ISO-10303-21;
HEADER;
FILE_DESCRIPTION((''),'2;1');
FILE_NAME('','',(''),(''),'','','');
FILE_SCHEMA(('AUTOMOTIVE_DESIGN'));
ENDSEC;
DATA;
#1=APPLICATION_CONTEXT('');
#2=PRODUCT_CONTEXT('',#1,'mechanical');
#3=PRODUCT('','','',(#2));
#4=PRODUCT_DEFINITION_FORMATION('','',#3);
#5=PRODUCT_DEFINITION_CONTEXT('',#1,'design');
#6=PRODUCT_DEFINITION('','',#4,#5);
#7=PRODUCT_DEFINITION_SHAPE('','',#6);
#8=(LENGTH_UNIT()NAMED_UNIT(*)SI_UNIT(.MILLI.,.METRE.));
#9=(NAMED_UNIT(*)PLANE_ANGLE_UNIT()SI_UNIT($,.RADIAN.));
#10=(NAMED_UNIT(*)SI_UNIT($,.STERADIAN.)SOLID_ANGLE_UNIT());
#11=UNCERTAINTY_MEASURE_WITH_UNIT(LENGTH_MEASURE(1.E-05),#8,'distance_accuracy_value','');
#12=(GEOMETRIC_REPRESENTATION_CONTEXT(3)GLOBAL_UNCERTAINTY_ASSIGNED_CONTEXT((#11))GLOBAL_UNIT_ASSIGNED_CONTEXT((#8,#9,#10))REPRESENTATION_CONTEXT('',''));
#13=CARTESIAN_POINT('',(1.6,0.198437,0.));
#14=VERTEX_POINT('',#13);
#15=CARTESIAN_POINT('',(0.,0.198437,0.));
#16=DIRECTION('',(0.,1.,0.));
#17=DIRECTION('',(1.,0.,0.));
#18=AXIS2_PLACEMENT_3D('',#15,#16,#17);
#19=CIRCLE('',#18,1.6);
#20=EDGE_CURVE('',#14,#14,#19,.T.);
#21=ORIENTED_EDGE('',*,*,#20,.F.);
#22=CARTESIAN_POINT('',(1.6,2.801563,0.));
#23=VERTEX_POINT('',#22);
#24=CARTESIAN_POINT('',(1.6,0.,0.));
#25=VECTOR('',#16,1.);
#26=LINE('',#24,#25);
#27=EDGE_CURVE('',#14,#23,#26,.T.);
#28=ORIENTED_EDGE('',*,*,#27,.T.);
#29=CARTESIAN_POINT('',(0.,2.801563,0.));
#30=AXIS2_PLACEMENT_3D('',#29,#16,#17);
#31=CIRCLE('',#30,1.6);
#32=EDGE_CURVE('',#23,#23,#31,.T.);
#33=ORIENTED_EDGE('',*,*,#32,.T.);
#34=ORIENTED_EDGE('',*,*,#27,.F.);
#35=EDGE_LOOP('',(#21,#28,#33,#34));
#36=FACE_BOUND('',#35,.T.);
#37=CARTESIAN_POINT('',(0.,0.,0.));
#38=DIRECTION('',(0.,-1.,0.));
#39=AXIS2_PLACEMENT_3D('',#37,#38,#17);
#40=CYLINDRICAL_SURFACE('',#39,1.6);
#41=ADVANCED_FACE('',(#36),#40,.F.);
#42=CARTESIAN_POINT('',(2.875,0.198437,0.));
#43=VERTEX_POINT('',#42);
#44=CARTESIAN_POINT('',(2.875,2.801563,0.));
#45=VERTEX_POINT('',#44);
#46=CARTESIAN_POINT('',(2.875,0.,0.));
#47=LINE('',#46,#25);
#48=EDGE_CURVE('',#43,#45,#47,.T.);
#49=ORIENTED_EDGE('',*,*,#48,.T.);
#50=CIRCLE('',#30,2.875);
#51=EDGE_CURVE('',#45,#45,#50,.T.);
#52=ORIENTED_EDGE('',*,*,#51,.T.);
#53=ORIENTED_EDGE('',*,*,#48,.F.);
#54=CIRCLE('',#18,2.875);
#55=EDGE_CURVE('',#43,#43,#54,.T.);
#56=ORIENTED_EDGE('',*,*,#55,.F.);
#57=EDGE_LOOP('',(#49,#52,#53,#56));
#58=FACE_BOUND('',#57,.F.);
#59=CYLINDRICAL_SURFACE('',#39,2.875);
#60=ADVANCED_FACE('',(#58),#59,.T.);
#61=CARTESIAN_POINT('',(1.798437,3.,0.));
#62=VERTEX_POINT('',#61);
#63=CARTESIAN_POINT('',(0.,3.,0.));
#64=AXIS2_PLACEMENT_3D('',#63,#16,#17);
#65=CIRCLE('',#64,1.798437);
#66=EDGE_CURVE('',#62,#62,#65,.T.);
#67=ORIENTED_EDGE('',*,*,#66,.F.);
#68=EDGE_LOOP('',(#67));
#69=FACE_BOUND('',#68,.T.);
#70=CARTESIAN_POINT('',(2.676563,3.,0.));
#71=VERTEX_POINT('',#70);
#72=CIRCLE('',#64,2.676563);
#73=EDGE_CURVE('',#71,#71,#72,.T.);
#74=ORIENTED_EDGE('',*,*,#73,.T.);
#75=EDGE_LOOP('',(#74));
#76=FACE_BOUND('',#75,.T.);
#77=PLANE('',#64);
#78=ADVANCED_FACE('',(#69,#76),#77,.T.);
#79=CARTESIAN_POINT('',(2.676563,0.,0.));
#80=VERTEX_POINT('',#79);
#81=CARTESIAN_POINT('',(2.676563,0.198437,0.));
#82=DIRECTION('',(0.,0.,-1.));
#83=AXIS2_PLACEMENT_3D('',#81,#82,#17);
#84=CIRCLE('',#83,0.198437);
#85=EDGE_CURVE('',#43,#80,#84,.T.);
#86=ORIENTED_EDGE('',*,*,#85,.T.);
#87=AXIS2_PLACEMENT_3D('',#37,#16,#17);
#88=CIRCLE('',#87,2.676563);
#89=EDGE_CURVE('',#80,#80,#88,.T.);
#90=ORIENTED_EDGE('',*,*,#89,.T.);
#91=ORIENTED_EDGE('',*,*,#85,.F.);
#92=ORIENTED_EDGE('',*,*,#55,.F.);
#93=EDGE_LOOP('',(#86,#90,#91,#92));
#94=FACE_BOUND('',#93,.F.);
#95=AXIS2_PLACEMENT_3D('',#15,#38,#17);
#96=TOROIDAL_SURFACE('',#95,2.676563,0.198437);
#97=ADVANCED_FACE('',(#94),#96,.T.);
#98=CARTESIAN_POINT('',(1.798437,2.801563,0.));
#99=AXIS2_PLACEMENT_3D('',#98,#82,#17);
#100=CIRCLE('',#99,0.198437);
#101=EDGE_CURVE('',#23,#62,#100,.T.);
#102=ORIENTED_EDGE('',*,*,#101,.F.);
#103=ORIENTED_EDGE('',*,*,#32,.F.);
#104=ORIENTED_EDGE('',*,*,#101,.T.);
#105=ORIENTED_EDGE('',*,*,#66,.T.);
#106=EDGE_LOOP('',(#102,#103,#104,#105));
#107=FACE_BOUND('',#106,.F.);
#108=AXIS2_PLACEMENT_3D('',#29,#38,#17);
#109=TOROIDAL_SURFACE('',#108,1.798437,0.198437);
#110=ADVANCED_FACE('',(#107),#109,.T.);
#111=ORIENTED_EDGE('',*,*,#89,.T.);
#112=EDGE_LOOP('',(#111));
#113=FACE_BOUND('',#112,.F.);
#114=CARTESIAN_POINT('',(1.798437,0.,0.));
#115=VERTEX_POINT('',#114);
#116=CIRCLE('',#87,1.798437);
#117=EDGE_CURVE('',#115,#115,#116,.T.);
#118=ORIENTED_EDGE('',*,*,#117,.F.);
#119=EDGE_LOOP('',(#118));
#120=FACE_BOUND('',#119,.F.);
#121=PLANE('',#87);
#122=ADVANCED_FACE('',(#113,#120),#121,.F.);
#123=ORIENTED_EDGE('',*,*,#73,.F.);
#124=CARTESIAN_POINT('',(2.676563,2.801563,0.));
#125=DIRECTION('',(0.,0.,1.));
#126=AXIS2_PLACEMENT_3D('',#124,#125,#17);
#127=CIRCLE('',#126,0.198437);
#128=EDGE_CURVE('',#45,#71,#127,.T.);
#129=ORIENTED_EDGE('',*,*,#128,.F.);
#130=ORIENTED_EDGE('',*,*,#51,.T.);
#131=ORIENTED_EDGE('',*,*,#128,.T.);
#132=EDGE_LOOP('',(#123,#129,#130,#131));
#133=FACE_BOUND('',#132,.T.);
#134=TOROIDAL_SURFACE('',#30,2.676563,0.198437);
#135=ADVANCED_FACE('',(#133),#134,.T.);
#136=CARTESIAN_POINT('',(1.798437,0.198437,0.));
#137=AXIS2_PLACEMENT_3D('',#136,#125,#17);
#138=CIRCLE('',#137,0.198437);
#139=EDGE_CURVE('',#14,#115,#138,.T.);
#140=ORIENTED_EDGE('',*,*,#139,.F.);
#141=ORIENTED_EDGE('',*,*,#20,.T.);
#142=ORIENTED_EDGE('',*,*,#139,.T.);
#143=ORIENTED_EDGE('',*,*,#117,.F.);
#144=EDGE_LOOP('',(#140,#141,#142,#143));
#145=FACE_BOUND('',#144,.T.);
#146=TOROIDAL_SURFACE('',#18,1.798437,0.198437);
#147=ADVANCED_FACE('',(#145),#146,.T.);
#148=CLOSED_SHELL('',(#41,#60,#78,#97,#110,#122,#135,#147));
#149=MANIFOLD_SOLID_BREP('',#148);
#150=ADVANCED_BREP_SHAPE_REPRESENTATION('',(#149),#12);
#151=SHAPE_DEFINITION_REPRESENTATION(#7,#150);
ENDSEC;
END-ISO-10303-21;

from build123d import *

# Parameters (mm, degrees)
SKETCH1_R           = 2.875
SKETCH1_R_2         = 1.6
BOSS_EXTRUDE1_DEPTH = 3
FILLET1_R           = 0.1984375


with BuildPart() as part:
    # Sketch1 → Boss-Extrude1 (new body)
    with BuildSketch(Plane(origin=(0, 0, 0), x_dir=(1, 0, 0), z_dir=(0, 1, 0))):
        Circle(SKETCH1_R)
        Circle(SKETCH1_R_2, mode=Mode.SUBTRACT)
    extrude(amount=BOSS_EXTRUDE1_DEPTH)

    # Fillet1
    fillet1_edges = [part.edges().sort_by_distance(p)[0] for p in [
        (-2.875, 0, 0),
        (-2.875, 3, 0),
        (-1.6, 0, 0),
        (-1.6, 3, 0),
    ]]
    fillet(fillet1_edges, radius=FILLET1_R)


solid = part.part
